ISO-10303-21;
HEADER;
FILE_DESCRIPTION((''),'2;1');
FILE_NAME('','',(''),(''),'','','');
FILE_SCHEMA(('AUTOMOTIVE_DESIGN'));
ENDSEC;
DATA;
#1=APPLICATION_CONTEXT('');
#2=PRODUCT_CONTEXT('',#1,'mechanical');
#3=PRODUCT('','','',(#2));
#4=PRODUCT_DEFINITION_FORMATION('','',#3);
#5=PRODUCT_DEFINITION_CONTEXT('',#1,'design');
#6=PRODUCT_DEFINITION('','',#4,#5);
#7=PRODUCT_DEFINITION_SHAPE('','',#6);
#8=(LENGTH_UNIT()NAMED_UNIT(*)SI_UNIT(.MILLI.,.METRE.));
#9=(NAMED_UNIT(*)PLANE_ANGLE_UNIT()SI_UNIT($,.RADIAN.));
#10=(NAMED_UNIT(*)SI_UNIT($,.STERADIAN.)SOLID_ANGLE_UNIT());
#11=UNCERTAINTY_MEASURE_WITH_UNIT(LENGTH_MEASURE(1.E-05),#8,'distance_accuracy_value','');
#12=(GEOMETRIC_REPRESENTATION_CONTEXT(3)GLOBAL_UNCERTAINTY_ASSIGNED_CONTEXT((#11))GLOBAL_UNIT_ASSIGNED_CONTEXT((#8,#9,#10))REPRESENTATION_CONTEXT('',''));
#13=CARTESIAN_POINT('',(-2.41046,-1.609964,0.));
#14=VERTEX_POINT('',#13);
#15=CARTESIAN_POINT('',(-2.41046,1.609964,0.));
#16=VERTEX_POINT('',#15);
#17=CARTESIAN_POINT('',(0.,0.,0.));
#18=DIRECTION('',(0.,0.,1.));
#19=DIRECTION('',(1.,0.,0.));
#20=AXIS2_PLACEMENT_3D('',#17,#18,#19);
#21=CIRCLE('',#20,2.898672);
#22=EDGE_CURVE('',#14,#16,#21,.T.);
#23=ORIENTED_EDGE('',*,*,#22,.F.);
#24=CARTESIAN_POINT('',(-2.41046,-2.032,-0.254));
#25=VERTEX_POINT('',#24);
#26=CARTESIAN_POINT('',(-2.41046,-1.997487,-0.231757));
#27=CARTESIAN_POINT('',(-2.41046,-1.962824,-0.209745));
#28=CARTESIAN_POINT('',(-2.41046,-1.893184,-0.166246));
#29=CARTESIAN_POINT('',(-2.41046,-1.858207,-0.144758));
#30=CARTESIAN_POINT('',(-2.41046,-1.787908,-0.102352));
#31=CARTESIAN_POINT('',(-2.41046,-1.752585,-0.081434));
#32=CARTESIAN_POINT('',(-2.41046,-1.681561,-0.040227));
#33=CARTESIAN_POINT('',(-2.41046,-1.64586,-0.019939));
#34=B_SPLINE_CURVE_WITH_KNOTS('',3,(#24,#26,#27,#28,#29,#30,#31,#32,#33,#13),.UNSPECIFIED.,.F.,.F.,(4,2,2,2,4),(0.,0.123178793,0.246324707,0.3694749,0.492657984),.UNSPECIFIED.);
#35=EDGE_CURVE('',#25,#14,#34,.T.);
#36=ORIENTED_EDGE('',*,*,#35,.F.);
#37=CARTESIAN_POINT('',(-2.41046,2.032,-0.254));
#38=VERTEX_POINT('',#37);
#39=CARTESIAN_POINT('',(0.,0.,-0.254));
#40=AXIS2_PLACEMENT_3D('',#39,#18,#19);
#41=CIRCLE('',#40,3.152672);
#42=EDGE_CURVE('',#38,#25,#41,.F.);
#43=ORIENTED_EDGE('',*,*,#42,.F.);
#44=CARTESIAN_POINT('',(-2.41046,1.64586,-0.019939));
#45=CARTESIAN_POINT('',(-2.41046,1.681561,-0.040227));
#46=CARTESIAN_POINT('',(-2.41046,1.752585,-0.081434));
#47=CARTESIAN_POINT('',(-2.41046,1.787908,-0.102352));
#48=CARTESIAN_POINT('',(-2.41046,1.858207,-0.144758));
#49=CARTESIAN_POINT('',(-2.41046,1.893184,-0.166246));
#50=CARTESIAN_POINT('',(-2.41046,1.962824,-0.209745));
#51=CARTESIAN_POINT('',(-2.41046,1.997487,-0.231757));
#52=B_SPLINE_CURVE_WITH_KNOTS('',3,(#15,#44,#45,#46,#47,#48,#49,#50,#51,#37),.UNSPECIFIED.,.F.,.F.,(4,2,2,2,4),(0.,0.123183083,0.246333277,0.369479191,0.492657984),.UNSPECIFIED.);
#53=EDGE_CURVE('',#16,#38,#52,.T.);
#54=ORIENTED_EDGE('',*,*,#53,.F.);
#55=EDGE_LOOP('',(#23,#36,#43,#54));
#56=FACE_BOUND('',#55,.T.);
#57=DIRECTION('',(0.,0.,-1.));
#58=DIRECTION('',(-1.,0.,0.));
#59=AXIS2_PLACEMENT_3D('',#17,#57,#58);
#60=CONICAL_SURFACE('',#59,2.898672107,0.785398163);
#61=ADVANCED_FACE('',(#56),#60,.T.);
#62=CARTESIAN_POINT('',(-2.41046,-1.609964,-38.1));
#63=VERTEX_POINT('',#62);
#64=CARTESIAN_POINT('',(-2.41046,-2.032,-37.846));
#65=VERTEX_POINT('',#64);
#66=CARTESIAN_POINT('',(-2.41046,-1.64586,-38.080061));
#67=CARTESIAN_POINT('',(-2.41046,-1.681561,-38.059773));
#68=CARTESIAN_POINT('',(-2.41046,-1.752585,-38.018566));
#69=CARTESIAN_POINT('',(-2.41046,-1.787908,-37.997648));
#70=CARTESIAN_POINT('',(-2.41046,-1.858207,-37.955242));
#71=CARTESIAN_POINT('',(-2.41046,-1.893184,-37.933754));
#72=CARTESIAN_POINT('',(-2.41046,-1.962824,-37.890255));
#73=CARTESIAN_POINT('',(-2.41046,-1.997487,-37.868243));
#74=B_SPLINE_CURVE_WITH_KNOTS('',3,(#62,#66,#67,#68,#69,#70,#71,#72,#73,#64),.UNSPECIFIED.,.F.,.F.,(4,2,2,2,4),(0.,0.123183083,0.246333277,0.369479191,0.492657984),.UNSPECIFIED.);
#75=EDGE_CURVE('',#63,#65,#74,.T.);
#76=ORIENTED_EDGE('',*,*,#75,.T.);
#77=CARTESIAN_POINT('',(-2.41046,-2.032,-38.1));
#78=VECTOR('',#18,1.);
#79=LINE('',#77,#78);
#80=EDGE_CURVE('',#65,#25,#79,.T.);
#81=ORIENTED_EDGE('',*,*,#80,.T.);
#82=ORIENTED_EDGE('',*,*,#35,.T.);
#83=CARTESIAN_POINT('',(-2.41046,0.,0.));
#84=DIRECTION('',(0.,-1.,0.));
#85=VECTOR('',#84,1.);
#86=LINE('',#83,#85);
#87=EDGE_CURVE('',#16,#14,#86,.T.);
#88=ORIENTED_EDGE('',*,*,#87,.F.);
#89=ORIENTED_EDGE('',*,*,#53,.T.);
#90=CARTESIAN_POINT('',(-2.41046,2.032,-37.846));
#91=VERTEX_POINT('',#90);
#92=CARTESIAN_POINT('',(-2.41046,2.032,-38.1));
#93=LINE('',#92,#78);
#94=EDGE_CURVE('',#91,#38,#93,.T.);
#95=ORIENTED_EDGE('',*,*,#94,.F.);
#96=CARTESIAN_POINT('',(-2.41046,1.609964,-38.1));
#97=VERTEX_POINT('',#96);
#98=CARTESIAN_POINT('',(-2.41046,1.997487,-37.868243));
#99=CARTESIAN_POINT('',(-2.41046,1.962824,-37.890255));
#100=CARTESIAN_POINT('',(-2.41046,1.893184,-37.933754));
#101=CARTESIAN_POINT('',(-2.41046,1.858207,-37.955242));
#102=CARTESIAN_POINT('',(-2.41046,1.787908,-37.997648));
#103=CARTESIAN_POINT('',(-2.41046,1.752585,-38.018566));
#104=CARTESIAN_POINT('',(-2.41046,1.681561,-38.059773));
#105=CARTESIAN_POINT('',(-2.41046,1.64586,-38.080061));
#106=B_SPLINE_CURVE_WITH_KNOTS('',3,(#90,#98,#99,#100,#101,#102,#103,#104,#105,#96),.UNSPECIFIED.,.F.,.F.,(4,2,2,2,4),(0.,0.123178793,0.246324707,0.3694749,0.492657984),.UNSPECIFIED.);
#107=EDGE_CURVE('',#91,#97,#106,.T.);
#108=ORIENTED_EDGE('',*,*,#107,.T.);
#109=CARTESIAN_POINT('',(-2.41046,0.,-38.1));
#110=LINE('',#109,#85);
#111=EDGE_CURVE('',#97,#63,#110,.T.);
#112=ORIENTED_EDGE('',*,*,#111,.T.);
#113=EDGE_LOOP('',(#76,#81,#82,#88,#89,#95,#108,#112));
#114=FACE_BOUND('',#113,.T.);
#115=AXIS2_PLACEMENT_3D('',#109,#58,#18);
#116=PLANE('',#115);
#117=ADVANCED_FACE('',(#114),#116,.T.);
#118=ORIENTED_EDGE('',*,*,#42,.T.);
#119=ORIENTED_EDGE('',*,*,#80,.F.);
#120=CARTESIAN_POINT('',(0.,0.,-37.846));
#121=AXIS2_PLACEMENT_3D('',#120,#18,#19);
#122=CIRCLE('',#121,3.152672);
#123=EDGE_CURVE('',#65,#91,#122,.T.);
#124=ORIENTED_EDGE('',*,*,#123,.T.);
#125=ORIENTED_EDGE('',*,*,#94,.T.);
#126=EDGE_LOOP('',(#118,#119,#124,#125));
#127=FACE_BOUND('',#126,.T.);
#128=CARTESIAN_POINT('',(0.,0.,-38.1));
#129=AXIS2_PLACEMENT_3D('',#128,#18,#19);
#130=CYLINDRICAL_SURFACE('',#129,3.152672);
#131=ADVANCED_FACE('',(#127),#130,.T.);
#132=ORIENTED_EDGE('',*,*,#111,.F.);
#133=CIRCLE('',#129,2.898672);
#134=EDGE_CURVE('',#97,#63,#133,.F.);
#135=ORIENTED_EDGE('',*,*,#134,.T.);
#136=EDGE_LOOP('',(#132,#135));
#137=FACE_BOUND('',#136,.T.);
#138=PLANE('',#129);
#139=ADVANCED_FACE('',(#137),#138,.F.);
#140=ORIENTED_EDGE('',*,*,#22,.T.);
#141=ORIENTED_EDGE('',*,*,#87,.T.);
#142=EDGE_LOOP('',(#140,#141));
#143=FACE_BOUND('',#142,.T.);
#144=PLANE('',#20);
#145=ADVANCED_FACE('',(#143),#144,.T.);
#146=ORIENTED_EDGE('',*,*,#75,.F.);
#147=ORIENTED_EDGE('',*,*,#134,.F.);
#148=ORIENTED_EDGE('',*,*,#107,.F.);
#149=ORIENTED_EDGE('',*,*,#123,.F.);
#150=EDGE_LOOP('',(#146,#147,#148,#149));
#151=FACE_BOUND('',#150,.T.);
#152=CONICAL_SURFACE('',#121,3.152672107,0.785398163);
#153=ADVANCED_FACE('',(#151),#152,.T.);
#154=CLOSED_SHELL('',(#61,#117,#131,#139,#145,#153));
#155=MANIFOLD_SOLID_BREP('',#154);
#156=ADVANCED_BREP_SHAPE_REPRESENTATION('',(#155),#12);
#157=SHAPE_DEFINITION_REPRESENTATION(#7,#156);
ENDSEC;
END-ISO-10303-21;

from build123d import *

# Parameters (mm, degrees)
BOSS_EXTRUDE1_DEPTH = 38.1
CHAMFER2_SIZE       = 0.254


with BuildPart() as part:
    # Sketch1 → Boss-Extrude1 (new body)
    with BuildSketch(Plane.XY):
        with BuildLine():
            ThreePointArc((3.1526721065787995, 0), (1.0816541511906828, 2.961311484597993), (-2.4104599999999996, 2.032000000000002))
            Line((-2.41046, 2.032), (-2.41046, -2.032))
            ThreePointArc((-2.4104600000000005, -2.032000000000001), (1.0816541511906834, -2.9613114845979926), (3.1526721065787995, -7.7e-16))
        make_face()
    extrude(amount=-BOSS_EXTRUDE1_DEPTH)

    # Chamfer2
    chamfer2_edges = [part.edges().sort_by_distance(p)[0] for p in [
        (3.152672106578799, -1.78e-15, -38.1),
        (3.1526721065788, 1.22e-15, 0),
    ]]
    chamfer(chamfer2_edges, length=CHAMFER2_SIZE)


solid = part.part
